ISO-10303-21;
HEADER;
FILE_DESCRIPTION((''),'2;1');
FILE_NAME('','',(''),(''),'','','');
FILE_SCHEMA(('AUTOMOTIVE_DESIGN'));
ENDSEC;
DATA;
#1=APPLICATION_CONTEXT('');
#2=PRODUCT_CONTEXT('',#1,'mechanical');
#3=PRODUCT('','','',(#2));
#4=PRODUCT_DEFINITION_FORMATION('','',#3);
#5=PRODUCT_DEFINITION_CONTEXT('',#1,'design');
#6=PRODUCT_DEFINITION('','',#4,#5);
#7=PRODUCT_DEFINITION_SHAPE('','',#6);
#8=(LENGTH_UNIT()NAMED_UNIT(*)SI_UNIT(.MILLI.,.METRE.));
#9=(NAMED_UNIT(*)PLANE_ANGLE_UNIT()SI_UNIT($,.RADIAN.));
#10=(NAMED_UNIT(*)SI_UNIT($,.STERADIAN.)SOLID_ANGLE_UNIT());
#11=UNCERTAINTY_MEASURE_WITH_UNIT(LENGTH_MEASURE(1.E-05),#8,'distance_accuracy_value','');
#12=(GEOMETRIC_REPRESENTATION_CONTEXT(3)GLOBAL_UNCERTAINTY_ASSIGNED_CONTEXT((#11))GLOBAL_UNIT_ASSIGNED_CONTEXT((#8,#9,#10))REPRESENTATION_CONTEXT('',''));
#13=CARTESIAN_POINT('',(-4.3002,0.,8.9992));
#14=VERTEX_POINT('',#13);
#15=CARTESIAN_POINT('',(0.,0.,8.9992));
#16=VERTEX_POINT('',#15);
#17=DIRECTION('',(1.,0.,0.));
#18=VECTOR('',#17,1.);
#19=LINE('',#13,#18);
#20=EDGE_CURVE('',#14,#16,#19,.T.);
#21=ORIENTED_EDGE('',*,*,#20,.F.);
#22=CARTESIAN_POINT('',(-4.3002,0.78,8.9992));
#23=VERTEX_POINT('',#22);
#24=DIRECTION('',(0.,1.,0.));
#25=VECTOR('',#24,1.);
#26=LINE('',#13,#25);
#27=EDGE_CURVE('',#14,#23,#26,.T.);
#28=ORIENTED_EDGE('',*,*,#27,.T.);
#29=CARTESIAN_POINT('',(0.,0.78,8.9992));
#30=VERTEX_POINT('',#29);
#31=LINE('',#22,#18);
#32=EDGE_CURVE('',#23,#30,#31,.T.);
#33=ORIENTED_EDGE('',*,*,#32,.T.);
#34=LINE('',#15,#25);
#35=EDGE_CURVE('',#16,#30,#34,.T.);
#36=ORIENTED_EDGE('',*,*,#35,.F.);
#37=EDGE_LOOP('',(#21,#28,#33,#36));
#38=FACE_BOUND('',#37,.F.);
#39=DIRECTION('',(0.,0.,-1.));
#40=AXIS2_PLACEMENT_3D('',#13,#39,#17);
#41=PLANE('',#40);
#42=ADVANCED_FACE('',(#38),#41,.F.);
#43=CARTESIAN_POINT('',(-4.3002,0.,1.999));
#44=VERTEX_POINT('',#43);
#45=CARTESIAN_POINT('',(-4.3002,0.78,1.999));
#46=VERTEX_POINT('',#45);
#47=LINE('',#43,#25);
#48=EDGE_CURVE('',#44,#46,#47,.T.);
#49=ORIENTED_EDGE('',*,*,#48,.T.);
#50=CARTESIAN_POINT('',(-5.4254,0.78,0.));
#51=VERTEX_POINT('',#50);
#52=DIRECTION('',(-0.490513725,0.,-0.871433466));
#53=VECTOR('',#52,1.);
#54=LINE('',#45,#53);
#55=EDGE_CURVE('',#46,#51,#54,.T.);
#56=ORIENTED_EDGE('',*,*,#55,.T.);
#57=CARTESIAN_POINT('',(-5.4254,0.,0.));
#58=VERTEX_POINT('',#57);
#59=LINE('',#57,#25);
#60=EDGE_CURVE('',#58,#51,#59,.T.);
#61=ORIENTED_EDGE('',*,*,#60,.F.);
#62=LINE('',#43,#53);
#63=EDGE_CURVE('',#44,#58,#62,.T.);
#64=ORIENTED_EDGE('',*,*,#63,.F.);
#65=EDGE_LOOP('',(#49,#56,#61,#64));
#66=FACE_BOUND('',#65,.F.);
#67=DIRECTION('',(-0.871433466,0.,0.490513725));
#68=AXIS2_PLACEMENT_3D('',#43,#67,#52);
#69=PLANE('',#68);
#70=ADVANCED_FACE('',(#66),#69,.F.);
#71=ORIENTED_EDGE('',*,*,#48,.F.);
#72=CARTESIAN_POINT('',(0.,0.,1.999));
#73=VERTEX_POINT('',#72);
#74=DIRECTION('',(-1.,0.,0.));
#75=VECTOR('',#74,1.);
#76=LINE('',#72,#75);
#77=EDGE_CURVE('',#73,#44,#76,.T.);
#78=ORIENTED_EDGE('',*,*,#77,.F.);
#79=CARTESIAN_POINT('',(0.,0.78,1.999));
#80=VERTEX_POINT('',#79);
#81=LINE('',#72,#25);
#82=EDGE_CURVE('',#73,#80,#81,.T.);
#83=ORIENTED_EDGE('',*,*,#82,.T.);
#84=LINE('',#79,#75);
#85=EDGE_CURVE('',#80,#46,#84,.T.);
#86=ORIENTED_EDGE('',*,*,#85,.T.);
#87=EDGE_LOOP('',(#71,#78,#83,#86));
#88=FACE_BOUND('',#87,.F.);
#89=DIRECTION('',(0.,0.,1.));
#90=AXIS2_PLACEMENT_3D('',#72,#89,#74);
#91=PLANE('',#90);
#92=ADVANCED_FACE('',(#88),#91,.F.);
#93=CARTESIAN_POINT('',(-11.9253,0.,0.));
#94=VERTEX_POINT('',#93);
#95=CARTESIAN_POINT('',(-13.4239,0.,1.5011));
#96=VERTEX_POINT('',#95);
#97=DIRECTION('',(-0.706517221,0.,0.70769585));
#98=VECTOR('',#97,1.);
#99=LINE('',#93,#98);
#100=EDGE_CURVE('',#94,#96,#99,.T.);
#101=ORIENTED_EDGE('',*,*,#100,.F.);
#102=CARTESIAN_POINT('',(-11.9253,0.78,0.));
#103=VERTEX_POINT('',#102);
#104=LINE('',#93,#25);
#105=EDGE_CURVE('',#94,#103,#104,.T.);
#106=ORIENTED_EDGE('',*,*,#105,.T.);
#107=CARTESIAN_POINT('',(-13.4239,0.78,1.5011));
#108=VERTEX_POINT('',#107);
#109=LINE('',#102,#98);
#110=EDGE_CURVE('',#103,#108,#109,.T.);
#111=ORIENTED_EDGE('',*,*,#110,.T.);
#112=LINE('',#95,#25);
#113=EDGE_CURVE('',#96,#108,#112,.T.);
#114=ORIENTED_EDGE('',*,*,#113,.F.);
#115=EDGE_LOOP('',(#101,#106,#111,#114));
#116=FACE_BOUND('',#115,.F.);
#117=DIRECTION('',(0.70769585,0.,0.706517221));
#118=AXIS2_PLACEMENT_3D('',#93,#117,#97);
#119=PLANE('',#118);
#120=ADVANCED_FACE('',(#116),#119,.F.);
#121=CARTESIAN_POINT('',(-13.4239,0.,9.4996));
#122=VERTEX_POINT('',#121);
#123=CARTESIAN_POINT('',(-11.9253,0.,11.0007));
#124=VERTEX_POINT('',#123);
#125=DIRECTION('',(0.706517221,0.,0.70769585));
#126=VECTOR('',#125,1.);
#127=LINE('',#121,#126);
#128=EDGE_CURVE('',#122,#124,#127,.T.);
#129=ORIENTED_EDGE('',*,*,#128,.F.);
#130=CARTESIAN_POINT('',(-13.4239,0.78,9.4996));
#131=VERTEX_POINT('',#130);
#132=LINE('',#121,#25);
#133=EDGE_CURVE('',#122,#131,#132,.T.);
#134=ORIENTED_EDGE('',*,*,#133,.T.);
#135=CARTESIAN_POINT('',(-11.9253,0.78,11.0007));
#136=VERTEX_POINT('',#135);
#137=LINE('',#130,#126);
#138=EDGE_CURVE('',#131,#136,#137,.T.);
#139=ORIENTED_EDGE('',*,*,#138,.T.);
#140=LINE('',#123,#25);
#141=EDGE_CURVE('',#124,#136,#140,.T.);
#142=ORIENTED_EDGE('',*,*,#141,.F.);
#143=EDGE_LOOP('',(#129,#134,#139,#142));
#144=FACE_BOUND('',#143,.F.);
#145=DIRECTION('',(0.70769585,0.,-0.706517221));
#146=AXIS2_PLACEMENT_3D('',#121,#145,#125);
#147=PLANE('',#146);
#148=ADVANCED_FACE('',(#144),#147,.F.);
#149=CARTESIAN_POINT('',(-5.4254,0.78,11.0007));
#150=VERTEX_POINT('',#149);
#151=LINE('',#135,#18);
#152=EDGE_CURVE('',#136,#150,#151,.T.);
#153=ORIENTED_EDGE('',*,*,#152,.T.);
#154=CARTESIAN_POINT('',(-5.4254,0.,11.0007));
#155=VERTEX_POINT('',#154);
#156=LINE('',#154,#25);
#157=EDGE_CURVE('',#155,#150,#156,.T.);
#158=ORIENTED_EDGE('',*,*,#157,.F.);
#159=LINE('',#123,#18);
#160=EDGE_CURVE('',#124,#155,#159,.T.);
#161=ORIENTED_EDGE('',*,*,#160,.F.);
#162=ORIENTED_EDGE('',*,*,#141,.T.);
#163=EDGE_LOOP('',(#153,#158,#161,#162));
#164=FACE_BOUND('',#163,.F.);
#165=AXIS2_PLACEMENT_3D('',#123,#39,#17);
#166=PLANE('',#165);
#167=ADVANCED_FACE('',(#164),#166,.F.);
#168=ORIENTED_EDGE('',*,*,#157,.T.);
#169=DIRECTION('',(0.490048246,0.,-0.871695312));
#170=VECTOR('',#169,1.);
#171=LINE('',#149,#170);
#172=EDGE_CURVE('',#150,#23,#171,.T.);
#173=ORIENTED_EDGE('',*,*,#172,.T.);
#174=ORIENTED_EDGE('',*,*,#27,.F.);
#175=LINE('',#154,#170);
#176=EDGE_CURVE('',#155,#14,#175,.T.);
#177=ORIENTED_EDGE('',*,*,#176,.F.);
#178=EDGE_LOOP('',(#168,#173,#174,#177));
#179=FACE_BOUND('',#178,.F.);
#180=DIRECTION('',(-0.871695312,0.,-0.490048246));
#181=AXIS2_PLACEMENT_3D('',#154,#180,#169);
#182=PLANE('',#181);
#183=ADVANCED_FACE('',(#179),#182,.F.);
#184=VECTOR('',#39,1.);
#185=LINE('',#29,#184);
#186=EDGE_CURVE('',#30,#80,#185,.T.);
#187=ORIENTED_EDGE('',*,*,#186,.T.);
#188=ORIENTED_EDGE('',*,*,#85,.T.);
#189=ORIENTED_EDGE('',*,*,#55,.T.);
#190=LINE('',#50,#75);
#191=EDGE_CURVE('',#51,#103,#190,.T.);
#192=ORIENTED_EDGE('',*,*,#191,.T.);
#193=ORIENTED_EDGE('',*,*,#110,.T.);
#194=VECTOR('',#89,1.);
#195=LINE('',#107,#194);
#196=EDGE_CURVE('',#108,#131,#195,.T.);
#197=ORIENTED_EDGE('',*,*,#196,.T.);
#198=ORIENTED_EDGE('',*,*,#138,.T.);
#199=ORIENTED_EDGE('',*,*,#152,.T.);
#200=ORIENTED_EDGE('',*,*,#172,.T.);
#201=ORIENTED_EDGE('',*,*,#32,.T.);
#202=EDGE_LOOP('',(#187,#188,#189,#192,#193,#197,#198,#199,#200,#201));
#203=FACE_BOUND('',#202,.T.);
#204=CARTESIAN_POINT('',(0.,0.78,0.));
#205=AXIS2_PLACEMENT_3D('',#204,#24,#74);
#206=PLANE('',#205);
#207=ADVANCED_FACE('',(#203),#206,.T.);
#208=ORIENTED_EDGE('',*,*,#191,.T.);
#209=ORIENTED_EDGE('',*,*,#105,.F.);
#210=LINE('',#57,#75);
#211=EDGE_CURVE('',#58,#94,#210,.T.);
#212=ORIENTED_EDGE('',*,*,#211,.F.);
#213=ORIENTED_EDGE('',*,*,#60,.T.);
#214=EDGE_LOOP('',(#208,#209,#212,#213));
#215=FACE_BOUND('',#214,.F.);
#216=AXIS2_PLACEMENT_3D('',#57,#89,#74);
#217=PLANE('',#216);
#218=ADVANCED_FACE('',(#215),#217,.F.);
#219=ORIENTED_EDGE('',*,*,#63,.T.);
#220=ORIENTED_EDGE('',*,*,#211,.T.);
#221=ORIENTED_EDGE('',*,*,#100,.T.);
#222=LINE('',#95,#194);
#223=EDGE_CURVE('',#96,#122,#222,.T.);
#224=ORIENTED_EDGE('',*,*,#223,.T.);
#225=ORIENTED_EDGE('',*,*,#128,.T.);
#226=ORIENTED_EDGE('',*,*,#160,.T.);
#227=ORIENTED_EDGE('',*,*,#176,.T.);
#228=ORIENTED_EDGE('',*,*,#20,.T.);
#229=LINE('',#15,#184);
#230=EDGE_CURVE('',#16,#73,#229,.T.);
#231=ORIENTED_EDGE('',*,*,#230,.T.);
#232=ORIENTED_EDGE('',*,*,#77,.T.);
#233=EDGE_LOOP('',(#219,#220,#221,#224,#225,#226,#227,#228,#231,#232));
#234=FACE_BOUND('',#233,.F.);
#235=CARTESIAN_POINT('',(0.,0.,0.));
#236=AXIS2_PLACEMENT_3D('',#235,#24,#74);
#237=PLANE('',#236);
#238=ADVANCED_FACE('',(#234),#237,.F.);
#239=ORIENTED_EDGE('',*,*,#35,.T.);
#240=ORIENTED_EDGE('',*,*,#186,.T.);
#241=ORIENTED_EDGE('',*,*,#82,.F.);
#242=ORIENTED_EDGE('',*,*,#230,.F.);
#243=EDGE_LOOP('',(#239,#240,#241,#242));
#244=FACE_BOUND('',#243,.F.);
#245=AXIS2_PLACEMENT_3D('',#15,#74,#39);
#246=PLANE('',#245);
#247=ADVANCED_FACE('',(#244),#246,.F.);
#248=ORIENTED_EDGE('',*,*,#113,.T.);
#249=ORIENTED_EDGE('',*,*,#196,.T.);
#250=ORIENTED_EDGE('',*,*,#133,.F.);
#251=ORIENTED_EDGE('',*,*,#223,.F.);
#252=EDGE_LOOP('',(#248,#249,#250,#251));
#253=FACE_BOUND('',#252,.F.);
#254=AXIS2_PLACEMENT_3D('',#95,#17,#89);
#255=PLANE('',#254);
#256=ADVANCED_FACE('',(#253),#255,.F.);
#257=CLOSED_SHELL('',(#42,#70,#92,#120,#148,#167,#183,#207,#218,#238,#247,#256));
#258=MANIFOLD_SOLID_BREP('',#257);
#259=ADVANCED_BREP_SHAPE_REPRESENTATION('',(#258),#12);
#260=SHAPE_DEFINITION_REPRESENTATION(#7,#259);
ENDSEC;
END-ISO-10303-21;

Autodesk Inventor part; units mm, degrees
ref_plane "YZ Plane" through (0, 0, 0) normal (1, 0, 0) x (0, 1, 0)
ref_plane "XZ Plane" through (0, 0, 0) normal (0, 1, 0) x (-1, 0, 0)
ref_plane "XY Plane" through (0, 0, 0) normal (0, 0, 1) x (1, 0, 0)
sketch "Sketch1" plane through (0, 0, 0) normal (0, 1, 0) x (-1, 0, 0)
  line L0 (4.3002, 1.999) -> (5.4254, 0)
  line L1 (5.4254, 0) -> (11.9253, 0)
  line L2 (11.9253, 0) -> (13.4239, 1.5011)
  line L3 (13.4239, 1.5011) -> (13.4239, 9.4996)
  line L4 (13.4239, 9.4996) -> (11.9253, 11.0007)
  line L5 (11.9253, 11.0007) -> (5.4254, 11.0007)
  line L6 (5.4254, 11.0007) -> (4.3002, 8.9992)
  line L7 (4.3002, 8.9992) -> (0, 8.9992)
  line L8 (0, 8.9992) -> (0, 1.999)
  line L9 (0, 1.999) -> (4.3002, 1.999)
  line L10 (0, 8.9992) -> (4.3002, 8.9992)
  line L11 (4.3002, 8.9992) -> (5.4254, 11.0007)
  line L12 (5.4254, 11.0007) -> (11.9253, 11.0007)
  line L13 (11.9253, 11.0007) -> (13.4239, 9.4996)
  line L14 (13.4239, 9.4996) -> (13.4239, 1.5011)
  line L15 (13.4239, 1.5011) -> (11.9253, 0)
  line L16 (11.9253, 0) -> (5.4254, 0)
  line L17 (5.4254, 0) -> (4.3002, 1.999)
  line L18 (4.3002, 1.999) -> (0, 1.999)
  line L19 (0, 1.999) -> (0, 8.9992)
  point P0 (0, 0)
extrude "Extrusion1" add sketch "Sketch1" along normal blind 0.78
ref_plane "Work Plane1" through (-11.9253, 0, 5.5004) normal (0, 0, 1) x (1, 0, 0)
properties part number "32ch_ACF2TDT_board"
